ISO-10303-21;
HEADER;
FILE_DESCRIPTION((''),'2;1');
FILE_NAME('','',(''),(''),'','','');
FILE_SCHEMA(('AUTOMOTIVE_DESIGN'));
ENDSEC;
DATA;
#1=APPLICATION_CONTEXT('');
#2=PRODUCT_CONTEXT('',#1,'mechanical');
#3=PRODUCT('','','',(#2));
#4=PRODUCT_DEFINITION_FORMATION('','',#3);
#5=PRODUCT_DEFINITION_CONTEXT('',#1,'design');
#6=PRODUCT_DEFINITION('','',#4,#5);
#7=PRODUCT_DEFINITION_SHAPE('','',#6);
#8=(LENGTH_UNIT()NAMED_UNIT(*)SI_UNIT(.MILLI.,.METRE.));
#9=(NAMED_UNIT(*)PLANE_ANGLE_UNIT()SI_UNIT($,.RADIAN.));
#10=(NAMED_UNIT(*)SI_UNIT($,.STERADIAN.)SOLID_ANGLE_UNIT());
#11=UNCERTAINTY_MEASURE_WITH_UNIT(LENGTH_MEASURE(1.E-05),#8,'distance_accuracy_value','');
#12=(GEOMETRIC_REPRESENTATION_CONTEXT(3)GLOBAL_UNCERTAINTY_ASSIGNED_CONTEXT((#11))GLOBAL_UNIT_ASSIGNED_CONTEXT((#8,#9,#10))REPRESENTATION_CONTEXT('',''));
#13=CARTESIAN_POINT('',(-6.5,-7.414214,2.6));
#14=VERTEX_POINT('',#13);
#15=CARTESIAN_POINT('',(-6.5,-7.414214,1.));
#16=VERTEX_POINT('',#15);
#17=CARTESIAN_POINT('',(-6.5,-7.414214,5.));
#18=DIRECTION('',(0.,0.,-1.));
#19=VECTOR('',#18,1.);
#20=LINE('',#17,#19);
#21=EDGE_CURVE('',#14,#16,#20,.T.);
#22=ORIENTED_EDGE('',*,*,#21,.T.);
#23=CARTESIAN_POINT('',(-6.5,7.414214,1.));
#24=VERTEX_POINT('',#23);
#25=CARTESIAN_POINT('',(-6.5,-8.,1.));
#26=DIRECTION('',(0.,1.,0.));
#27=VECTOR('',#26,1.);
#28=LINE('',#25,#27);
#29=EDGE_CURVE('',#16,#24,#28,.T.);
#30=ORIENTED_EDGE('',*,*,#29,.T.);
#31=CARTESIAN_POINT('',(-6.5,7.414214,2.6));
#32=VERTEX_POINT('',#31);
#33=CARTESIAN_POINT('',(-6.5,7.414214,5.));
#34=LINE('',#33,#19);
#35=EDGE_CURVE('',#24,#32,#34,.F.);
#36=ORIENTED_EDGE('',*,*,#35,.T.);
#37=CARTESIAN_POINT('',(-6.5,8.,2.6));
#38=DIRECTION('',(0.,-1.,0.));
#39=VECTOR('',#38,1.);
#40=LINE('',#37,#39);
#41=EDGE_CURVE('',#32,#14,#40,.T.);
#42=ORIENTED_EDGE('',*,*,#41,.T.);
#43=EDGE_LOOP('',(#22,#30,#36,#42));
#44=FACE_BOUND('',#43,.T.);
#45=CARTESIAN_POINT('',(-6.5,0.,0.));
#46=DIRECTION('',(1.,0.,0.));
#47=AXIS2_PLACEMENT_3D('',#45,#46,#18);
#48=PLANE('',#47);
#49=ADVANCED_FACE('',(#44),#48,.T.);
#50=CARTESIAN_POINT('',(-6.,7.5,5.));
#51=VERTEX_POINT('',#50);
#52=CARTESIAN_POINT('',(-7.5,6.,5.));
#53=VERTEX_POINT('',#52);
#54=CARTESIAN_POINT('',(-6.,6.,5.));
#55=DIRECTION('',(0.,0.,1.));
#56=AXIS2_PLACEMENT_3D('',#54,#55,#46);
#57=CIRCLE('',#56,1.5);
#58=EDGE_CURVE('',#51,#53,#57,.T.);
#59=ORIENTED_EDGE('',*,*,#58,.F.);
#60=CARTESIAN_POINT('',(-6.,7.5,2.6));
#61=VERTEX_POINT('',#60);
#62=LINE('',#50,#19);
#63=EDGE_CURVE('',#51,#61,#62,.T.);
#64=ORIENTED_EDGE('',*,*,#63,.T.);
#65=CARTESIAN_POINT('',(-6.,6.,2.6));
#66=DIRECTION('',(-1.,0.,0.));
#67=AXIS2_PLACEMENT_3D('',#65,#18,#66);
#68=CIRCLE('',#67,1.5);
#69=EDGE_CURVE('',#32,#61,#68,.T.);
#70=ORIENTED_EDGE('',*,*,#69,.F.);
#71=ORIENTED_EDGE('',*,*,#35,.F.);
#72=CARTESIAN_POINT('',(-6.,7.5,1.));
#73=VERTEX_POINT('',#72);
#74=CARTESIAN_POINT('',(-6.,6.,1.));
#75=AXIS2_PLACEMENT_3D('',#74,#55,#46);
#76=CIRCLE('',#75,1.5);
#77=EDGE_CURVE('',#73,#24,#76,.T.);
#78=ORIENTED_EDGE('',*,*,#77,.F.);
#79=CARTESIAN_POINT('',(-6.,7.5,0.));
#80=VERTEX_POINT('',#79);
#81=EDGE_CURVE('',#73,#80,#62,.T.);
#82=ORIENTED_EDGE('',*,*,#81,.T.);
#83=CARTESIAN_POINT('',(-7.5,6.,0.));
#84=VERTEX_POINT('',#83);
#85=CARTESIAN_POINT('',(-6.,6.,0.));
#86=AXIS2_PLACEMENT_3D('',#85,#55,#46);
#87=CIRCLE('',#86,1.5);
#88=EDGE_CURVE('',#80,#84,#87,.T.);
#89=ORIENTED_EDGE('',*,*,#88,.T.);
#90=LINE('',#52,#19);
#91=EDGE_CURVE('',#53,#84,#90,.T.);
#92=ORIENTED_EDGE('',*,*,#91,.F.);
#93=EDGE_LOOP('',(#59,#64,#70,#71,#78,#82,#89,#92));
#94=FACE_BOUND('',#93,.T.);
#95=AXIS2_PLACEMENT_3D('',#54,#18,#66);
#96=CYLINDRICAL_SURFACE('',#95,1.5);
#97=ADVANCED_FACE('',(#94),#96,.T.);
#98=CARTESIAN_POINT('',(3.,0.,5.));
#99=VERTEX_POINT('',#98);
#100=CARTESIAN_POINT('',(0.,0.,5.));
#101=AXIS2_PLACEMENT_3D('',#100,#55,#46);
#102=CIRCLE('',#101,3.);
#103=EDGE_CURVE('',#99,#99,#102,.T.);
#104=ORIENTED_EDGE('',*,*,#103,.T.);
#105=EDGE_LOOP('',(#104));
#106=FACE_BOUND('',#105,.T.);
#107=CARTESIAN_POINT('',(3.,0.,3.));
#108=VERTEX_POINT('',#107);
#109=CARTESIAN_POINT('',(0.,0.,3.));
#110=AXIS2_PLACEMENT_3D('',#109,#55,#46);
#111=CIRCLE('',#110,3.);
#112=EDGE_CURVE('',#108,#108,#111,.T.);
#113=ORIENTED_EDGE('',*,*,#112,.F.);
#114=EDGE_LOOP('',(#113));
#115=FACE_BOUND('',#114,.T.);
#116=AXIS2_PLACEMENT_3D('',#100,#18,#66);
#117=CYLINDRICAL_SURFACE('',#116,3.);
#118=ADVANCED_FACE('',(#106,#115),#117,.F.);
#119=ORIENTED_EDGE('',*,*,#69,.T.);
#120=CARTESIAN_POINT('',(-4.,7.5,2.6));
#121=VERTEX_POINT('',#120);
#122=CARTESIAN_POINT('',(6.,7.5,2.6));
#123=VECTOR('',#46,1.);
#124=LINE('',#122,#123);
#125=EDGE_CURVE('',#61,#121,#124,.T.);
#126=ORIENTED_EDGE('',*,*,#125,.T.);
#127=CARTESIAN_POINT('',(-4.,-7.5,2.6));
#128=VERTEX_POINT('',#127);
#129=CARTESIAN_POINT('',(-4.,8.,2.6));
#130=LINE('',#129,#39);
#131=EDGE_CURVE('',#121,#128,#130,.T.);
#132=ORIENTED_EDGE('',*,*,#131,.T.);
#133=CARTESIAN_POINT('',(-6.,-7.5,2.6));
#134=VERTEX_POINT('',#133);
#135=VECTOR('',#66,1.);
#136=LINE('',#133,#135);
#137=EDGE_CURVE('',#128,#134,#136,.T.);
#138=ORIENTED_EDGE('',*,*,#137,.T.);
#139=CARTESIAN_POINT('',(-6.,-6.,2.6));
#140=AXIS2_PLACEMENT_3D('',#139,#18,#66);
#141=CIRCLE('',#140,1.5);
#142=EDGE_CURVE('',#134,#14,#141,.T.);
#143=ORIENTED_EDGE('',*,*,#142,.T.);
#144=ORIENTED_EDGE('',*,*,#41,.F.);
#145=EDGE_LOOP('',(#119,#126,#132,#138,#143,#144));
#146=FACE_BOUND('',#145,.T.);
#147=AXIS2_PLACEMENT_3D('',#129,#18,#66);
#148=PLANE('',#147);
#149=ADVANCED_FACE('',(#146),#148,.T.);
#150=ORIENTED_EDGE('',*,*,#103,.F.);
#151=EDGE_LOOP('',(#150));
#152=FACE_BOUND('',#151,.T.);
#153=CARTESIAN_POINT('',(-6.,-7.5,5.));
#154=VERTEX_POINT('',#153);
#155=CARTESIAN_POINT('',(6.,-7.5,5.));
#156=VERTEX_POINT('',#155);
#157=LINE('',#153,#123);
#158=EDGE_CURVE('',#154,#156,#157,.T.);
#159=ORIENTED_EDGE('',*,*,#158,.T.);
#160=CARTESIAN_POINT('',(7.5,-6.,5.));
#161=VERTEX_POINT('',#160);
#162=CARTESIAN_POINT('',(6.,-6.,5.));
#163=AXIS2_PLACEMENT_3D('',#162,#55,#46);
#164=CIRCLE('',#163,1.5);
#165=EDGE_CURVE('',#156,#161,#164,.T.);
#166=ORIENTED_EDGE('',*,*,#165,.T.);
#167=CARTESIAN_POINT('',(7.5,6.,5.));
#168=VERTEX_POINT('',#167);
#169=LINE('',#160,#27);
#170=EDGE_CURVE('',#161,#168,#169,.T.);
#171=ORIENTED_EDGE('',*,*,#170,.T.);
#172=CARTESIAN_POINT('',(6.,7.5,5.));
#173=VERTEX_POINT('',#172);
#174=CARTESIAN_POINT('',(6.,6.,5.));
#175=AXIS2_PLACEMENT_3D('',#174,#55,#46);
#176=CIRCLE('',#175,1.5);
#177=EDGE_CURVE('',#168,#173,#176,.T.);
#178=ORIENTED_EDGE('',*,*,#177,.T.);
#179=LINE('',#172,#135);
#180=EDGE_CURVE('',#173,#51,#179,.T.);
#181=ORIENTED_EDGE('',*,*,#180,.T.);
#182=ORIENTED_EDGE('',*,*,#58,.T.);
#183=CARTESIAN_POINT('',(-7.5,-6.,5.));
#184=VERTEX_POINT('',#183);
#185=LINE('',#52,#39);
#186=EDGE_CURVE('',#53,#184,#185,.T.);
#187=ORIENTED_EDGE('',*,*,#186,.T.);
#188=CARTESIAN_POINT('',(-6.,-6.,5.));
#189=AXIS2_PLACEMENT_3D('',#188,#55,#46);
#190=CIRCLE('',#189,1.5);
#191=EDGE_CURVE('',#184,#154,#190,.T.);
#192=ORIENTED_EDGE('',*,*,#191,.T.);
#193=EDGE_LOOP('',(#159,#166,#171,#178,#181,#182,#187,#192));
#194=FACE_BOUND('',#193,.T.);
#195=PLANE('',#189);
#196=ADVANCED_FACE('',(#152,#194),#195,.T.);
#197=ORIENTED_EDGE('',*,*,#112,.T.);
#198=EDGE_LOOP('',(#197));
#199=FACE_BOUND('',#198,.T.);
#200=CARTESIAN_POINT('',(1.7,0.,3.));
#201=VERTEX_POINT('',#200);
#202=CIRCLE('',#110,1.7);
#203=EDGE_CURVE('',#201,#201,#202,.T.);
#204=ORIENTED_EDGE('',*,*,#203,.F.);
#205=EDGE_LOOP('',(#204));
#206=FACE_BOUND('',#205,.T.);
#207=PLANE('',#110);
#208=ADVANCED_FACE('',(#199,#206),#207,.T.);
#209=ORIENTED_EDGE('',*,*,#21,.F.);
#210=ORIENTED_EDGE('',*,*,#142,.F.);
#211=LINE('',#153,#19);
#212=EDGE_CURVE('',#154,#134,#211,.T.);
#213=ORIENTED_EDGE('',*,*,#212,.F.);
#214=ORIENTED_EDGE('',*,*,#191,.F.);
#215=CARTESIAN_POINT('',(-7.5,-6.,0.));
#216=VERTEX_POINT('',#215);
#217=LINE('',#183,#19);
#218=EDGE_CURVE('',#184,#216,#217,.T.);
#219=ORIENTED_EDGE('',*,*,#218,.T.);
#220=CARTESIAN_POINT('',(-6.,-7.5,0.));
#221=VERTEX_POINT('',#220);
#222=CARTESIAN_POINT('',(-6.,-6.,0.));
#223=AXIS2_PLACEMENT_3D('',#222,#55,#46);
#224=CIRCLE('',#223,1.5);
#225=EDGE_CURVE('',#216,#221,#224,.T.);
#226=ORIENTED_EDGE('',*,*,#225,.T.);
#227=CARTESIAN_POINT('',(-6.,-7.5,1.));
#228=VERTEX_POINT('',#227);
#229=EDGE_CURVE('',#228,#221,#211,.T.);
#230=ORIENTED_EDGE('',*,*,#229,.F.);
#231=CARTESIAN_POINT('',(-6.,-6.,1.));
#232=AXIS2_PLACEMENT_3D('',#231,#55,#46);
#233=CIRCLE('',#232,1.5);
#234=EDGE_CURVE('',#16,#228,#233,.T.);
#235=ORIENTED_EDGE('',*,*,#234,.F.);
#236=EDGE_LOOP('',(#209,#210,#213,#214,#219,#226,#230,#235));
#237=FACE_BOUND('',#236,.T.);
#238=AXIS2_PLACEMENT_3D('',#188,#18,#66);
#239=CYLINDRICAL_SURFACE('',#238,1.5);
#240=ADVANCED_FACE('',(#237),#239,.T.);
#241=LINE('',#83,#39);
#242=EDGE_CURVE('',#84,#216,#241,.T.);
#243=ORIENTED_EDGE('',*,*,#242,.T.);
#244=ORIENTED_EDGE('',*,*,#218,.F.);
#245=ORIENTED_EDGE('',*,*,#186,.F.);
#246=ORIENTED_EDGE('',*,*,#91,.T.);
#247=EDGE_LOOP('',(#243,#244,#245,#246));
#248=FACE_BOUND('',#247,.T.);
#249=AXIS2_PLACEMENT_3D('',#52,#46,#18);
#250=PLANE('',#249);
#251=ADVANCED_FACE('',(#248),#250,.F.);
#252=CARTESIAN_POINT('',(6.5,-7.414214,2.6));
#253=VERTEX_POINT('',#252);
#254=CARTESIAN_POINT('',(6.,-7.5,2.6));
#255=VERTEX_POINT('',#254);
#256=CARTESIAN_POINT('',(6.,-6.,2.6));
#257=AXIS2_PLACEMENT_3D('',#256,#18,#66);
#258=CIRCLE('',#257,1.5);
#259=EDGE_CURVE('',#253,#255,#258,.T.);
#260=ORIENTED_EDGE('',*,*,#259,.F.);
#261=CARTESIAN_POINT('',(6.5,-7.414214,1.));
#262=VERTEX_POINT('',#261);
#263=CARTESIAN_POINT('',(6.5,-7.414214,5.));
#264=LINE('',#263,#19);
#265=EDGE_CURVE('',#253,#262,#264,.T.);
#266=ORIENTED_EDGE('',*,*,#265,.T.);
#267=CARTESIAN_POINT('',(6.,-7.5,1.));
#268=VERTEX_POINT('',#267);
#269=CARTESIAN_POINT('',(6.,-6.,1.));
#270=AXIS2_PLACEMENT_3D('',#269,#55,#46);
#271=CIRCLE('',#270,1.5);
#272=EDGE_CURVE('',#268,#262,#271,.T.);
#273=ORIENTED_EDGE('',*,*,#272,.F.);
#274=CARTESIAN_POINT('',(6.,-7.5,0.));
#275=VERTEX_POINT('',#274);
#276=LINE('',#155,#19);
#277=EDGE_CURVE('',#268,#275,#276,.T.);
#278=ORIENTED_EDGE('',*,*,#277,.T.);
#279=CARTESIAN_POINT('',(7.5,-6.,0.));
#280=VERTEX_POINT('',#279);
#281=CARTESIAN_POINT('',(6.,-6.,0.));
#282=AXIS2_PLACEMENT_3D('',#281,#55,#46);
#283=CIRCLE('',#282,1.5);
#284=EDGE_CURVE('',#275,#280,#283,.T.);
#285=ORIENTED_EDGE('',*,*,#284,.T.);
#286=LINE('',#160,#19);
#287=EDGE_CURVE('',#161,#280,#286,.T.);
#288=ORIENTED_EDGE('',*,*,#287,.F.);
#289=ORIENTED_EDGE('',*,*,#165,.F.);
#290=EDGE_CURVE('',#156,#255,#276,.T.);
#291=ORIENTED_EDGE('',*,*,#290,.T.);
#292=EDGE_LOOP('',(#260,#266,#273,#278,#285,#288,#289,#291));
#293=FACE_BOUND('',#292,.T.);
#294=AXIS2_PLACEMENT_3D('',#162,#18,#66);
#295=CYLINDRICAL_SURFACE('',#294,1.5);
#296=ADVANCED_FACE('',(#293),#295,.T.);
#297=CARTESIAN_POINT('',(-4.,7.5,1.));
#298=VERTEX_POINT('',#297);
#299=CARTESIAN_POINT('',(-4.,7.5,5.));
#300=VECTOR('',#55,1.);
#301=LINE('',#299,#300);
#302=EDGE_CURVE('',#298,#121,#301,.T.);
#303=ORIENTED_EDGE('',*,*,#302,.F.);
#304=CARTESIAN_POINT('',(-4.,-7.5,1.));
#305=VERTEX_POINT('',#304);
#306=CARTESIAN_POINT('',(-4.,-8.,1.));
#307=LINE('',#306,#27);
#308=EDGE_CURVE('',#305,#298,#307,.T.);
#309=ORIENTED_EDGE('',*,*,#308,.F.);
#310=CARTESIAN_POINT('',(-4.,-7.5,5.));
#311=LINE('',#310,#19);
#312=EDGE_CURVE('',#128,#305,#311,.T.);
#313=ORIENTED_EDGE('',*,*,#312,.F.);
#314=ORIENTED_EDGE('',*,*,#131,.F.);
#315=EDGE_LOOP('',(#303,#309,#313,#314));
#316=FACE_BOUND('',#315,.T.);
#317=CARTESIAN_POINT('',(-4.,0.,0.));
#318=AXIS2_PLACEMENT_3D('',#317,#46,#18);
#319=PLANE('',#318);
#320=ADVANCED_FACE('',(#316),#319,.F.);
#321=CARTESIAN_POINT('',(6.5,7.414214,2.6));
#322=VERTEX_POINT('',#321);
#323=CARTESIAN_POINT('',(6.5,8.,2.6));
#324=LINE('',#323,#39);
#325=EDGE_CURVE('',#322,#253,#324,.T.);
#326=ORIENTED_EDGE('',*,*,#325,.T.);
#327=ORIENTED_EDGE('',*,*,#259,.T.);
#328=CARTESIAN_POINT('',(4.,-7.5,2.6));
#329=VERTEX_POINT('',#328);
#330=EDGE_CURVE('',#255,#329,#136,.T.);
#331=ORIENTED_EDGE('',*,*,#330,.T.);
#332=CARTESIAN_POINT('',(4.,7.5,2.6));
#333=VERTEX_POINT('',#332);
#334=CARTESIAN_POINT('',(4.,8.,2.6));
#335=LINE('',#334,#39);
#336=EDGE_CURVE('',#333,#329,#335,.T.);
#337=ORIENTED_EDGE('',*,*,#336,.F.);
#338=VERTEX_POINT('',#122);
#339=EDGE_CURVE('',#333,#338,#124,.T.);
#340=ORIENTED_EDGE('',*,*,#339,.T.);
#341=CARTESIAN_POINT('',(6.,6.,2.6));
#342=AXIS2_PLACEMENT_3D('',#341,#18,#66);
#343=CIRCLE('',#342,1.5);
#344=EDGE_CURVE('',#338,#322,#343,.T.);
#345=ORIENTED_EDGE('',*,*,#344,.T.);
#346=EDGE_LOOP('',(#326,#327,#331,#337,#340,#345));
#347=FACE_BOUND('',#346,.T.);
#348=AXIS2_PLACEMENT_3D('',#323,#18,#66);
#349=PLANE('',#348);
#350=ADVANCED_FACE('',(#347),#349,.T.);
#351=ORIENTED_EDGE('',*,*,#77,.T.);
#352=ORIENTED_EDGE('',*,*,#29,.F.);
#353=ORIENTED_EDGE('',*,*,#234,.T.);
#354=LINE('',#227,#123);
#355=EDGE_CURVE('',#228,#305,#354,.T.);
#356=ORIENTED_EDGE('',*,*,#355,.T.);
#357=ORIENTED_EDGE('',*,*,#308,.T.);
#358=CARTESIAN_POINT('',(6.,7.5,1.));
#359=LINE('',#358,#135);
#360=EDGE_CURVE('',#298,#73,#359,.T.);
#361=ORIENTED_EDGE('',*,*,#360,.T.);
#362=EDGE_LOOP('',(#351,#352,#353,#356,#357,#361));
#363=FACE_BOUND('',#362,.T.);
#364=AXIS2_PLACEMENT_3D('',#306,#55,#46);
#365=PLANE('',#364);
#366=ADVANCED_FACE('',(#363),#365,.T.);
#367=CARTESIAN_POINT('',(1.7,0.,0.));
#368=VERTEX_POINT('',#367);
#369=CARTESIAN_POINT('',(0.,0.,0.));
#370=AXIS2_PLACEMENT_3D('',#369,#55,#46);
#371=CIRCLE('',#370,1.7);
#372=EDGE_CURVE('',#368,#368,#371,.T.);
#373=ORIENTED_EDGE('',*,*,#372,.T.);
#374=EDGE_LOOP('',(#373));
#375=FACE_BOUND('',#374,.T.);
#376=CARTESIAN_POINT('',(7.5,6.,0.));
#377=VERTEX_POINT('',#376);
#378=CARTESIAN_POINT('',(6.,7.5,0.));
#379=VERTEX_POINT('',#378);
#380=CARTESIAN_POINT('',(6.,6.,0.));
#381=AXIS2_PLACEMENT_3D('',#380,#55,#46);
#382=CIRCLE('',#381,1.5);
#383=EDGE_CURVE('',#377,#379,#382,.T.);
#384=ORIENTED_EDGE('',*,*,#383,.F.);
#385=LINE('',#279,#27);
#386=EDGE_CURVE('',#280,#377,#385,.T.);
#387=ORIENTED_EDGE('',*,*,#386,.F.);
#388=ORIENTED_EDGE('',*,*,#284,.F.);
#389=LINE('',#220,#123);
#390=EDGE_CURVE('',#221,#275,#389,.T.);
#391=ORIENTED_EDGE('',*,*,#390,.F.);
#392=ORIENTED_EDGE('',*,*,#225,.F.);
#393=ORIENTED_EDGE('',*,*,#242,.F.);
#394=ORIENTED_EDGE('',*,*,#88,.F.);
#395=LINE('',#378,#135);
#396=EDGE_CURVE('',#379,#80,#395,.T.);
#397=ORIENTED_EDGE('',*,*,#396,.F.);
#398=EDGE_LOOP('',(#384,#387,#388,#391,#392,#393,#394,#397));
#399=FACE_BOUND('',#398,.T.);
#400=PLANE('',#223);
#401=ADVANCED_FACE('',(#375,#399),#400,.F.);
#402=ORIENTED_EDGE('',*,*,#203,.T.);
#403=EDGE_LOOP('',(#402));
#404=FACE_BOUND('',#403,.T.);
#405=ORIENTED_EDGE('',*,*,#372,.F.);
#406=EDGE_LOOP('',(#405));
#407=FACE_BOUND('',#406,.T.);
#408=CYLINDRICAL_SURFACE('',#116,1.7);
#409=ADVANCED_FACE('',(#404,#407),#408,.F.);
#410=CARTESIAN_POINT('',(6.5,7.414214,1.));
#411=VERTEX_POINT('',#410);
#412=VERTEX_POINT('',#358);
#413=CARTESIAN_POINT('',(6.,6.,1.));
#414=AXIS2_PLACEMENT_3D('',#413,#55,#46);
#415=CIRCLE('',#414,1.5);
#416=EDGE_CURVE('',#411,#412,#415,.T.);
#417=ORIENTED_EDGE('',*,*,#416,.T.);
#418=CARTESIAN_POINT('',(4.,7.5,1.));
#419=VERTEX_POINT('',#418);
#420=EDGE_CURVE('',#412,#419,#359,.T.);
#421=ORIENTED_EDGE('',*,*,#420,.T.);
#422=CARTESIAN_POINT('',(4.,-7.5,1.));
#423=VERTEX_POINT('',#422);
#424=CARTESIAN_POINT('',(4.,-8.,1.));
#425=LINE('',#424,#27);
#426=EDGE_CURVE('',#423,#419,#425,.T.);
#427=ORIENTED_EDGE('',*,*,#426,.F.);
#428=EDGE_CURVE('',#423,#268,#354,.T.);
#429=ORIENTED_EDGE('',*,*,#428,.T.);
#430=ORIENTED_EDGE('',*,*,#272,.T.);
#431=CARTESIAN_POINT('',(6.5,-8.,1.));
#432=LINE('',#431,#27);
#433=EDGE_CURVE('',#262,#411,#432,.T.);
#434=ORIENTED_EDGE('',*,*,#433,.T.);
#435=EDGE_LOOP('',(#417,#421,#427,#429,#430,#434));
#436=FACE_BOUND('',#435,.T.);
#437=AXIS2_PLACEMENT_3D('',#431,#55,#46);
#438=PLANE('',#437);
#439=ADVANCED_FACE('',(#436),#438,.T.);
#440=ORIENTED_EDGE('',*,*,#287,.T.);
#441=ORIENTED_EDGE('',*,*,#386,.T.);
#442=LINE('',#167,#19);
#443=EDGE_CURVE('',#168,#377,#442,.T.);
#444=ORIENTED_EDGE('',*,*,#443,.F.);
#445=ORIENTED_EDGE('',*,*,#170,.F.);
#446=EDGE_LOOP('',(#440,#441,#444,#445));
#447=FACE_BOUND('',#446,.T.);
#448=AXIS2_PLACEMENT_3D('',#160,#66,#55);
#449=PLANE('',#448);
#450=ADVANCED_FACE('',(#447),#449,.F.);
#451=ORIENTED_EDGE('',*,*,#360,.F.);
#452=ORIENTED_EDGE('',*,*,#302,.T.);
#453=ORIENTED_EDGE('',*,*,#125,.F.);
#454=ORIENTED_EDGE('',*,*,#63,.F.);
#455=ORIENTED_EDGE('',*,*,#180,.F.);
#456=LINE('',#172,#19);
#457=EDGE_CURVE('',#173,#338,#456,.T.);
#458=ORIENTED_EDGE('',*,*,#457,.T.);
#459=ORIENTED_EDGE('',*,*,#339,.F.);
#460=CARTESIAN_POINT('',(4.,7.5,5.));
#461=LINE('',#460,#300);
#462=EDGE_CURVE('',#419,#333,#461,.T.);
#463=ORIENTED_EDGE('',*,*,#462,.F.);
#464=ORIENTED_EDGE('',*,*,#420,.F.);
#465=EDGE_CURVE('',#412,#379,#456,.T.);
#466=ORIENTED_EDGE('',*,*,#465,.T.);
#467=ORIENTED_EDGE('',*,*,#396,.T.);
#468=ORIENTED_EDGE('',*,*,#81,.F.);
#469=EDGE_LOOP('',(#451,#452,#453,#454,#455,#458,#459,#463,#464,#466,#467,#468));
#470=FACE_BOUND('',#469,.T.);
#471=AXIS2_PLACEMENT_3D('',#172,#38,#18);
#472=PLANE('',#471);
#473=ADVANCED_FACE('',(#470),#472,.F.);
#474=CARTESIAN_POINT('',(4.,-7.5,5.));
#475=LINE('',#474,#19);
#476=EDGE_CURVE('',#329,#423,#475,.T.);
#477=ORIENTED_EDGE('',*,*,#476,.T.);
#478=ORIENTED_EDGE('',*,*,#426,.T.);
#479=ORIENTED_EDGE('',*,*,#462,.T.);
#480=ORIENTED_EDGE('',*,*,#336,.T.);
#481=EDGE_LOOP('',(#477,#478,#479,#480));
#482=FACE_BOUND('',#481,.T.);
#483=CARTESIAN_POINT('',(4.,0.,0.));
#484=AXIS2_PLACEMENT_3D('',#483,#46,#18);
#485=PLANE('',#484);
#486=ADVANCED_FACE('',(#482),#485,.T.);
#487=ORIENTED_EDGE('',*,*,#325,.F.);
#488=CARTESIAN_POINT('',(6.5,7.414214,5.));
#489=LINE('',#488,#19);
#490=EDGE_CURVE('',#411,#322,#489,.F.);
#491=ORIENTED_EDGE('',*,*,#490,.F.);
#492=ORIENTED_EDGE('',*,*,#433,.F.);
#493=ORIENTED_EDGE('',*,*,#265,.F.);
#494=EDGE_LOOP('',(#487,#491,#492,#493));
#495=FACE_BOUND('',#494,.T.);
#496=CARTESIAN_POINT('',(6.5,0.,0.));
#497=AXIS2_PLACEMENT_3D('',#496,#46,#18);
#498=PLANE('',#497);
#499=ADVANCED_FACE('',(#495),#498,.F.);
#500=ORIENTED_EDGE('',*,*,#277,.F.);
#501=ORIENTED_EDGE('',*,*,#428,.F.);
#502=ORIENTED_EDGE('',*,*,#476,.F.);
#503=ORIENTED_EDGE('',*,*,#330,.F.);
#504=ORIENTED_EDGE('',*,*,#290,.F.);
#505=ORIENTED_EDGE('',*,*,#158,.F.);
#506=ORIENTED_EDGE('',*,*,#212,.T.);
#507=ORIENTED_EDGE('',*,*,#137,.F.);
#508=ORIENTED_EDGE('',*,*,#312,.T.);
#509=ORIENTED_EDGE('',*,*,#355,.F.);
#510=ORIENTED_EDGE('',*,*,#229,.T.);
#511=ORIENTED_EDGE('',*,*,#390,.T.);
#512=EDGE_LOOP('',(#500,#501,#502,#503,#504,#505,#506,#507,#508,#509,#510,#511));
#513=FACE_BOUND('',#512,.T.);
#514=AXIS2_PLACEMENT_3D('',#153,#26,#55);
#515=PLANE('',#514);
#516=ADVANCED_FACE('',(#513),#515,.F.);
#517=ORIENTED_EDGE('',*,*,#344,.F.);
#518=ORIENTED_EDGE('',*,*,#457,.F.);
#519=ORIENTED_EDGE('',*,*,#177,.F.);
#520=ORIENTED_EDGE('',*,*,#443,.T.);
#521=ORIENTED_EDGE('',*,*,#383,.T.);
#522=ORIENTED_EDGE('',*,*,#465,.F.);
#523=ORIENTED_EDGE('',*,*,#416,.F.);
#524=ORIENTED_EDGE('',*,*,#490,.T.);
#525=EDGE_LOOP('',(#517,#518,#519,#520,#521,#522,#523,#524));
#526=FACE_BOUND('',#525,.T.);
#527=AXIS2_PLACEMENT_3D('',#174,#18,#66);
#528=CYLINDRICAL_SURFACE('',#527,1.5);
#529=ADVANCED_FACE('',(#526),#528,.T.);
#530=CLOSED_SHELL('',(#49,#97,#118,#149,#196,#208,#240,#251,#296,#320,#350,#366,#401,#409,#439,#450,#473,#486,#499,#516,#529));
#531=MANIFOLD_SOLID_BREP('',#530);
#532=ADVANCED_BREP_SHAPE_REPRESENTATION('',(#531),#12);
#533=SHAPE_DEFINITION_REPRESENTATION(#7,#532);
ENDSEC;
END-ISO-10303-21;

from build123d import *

# Parameters (mm, degrees)
BASE_15X15_DEPTH     = 5
CROQUIS2_R           = 1.7
PASO_M3_DEPTH        = 5
CAJA_CABEZA_START    = 3
CROQUIS3_R           = 3
CAJA_CABEZA_DEPTH    = 2
TUNEL_CINCHO_A_START = 4
CROQUIS4_W           = 1.6
CROQUIS4_H           = 16
TUNEL_CINCHO_A_DEPTH = 2.5
TUNEL_CINCHO_B_START = -6.5
CROQUIS5_W           = 1.6
CROQUIS5_H           = 16
TUNEL_CINCHO_B_DEPTH = 2.5


with BuildPart() as part:
    # Croquis1 → Base_15x15 (new body)
    with BuildSketch(Plane.XY):
        with BuildLine():
            Line((-6, -7.5), (6, -7.5))
            ThreePointArc((6, -7.5), (7.060660172, -7.060660172), (7.5, -6))
            Line((7.5, -6), (7.5, 6))
            ThreePointArc((7.5, 6), (7.060660172, 7.060660172), (6, 7.5))
            Line((6, 7.5), (-6, 7.5))
            ThreePointArc((-6, 7.5), (-7.060660172, 7.060660172), (-7.5, 6))
            Line((-7.5, 6), (-7.5, -6))
            ThreePointArc((-7.5, -6), (-7.060660172, -7.060660172), (-6, -7.5))
        make_face()
    extrude(amount=BASE_15X15_DEPTH)

    # Croquis2 → Paso_M3 (cut)
    with BuildSketch(Plane.XY):
        Circle(CROQUIS2_R)
    extrude(amount=PASO_M3_DEPTH, mode=Mode.SUBTRACT)

    # Croquis3 → Caja_cabeza (cut)
    with BuildSketch(Plane.XY.offset(CAJA_CABEZA_START)):
        Circle(CROQUIS3_R)
    extrude(amount=CAJA_CABEZA_DEPTH, mode=Mode.SUBTRACT)

    # Croquis4 → Tunel_cincho_A (cut)
    with BuildSketch(Plane(origin=(0, 0, 0), x_dir=(0, 0, -1), z_dir=(1, 0, 0)).offset(TUNEL_CINCHO_A_START)):
        with Locations((-1.8, 0)):
            Rectangle(CROQUIS4_W, CROQUIS4_H)
    extrude(amount=TUNEL_CINCHO_A_DEPTH, mode=Mode.SUBTRACT)

    # Croquis5 → Tunel_cincho_B (cut)
    with BuildSketch(Plane(origin=(0, 0, 0), x_dir=(0, 0, -1), z_dir=(1, 0, 0)).offset(TUNEL_CINCHO_B_START)):
        with Locations((-1.8, 0)):
            Rectangle(CROQUIS5_W, CROQUIS5_H)
    extrude(amount=TUNEL_CINCHO_B_DEPTH, mode=Mode.SUBTRACT)


solid = part.part
